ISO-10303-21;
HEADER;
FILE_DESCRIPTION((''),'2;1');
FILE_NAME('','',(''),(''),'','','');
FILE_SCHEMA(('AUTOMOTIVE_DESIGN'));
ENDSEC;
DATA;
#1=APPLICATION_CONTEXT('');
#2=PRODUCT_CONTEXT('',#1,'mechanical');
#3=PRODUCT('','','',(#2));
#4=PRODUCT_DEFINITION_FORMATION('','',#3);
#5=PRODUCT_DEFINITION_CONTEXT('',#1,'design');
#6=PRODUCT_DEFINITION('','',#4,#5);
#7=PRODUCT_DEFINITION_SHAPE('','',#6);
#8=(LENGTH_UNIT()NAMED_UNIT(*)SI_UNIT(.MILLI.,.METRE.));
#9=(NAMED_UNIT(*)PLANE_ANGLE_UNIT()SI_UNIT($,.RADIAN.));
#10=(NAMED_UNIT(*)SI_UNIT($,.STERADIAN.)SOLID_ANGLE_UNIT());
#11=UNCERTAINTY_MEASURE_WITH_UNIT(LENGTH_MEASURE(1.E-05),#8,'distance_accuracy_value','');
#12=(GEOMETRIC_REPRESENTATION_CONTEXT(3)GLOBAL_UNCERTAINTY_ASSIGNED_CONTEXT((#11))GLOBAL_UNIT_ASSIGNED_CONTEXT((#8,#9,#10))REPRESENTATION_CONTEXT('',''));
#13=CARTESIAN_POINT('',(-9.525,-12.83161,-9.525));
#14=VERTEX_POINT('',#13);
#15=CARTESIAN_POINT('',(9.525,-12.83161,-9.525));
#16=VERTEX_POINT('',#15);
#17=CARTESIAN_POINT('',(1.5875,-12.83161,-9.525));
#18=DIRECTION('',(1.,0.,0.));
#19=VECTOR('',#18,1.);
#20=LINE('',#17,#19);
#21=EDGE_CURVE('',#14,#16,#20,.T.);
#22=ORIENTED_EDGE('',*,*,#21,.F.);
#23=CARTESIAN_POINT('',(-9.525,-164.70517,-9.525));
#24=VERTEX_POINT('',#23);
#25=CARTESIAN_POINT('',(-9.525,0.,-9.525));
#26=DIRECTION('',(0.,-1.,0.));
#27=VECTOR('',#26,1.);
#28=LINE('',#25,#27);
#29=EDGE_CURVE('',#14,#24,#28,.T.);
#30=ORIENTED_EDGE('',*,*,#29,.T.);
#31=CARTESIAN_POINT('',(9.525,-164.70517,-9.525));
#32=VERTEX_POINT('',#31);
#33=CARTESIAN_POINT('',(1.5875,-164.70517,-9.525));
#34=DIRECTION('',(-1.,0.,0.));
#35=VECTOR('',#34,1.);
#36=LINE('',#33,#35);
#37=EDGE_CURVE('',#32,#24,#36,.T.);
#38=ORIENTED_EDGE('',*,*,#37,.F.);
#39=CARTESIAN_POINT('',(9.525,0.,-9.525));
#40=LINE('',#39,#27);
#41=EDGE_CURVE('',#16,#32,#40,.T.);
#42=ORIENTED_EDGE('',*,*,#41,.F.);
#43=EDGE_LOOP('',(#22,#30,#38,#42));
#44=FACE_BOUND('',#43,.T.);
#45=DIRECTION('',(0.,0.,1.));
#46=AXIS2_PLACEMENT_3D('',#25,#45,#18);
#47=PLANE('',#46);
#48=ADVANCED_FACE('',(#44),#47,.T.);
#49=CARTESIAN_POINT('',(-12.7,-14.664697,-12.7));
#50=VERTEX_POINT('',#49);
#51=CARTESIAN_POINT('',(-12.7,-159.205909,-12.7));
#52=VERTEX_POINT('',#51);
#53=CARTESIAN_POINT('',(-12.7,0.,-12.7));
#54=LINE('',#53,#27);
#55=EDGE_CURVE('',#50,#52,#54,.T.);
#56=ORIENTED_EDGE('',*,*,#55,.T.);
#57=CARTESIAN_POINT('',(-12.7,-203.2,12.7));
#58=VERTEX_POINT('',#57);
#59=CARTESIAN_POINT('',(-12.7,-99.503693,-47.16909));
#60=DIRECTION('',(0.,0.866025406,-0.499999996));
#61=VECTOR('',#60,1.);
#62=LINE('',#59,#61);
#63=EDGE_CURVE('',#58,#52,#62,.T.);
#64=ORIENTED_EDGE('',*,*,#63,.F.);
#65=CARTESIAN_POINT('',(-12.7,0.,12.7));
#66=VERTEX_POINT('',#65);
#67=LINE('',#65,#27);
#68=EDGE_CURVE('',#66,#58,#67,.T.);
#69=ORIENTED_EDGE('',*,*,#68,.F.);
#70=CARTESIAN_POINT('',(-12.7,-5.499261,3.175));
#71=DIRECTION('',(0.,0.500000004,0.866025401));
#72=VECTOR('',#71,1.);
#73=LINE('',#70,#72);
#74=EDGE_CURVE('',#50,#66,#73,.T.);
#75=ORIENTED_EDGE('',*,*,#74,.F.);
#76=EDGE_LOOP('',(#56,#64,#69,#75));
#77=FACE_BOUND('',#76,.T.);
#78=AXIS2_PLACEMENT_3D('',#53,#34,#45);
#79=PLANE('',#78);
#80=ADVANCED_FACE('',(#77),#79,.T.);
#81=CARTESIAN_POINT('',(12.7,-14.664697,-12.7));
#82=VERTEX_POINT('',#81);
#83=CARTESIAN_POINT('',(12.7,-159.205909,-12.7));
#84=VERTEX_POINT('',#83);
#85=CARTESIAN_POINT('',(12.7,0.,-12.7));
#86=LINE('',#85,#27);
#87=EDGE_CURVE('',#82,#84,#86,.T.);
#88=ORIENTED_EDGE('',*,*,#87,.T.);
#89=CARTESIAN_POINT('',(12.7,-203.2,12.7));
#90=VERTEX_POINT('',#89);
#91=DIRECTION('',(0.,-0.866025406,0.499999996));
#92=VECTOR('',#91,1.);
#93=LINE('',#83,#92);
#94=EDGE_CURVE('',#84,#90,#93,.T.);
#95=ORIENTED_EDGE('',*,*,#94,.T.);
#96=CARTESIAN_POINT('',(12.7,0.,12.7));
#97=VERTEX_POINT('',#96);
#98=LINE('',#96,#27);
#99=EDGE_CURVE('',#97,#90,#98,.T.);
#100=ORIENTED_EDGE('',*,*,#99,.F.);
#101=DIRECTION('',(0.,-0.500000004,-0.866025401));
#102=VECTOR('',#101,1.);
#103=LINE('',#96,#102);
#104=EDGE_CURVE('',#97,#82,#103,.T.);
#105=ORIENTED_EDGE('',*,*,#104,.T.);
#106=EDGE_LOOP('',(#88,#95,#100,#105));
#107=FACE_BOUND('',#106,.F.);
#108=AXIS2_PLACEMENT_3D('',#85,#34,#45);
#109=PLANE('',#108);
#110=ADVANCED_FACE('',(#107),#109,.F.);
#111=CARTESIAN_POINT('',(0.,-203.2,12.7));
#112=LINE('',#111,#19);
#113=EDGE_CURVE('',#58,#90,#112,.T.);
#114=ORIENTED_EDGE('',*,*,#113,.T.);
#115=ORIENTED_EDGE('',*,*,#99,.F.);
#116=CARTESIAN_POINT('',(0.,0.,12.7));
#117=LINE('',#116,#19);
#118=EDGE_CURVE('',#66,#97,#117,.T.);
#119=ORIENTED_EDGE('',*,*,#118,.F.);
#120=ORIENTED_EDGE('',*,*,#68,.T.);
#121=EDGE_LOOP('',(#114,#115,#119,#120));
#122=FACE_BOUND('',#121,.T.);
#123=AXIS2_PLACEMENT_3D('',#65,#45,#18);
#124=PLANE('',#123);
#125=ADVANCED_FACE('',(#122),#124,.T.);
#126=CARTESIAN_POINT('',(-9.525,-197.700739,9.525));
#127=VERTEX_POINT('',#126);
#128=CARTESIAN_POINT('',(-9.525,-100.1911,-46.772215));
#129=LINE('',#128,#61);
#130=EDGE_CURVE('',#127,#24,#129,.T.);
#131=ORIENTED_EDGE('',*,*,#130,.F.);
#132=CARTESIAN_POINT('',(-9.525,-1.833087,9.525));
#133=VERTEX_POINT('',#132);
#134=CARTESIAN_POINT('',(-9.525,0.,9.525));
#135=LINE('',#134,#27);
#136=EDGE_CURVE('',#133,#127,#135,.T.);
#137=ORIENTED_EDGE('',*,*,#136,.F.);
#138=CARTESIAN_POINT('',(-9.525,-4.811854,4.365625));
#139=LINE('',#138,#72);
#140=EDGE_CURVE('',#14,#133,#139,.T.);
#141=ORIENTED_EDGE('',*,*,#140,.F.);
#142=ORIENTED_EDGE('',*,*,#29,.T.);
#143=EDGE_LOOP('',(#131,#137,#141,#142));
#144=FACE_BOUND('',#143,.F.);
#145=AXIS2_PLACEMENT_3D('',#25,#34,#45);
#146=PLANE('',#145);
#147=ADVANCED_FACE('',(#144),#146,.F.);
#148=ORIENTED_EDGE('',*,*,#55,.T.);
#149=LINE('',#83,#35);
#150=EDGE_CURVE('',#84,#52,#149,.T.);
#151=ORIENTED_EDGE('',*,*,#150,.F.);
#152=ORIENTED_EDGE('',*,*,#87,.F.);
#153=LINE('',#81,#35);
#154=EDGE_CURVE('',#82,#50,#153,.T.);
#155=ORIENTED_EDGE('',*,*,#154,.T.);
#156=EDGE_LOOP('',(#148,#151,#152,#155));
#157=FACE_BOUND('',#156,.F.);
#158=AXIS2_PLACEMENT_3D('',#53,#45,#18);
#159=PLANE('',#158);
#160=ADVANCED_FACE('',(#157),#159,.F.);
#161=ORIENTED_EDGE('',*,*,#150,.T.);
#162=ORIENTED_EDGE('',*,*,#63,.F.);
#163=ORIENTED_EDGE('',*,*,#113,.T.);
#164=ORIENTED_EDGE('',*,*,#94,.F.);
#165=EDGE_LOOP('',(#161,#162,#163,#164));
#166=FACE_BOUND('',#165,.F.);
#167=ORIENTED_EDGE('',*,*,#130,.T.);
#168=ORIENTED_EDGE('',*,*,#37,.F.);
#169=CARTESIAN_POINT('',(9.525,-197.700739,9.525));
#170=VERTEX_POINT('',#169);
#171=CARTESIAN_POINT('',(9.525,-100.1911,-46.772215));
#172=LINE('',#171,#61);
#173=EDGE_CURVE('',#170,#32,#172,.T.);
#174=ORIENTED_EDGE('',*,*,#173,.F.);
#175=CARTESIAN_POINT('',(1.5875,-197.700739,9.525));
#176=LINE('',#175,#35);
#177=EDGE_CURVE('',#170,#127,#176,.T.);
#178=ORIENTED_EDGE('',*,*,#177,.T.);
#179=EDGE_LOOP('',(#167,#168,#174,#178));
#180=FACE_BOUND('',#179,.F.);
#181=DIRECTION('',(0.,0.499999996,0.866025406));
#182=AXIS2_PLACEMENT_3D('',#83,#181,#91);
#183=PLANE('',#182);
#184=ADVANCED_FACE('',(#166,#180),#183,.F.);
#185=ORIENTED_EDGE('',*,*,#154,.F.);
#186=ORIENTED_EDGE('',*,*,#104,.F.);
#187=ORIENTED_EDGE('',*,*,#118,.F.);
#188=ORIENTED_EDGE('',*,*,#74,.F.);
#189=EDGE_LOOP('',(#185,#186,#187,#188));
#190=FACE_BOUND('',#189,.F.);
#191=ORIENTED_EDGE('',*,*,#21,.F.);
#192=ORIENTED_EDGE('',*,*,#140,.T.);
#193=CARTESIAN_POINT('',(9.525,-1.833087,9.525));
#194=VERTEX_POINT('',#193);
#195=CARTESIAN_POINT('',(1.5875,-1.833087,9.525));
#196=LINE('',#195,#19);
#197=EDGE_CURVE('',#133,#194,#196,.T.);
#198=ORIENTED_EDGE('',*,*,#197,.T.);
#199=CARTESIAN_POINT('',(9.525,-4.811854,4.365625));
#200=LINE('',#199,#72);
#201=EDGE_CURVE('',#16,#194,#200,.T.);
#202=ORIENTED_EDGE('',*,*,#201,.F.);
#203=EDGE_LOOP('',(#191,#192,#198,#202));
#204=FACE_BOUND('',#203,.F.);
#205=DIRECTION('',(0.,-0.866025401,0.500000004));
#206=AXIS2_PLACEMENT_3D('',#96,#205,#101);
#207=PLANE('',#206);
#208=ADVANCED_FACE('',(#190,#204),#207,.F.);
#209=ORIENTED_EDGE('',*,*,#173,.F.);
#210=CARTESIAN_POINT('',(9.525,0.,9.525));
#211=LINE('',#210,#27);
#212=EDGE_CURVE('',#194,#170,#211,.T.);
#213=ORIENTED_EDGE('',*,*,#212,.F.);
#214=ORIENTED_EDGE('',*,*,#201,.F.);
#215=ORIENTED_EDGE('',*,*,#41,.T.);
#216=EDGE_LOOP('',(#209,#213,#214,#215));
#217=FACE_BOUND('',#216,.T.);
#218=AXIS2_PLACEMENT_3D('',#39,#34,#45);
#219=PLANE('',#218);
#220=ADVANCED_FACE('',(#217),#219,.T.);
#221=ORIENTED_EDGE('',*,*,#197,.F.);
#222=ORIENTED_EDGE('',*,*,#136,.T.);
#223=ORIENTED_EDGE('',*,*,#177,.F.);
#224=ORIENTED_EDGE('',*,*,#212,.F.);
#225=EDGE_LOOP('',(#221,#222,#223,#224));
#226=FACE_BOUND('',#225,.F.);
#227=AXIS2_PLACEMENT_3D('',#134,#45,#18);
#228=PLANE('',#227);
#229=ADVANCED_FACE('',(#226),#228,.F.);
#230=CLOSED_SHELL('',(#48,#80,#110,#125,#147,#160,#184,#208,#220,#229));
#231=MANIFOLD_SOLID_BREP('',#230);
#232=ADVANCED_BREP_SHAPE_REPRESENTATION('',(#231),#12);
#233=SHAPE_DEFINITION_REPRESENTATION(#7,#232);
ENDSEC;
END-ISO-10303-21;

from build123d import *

# Parameters (mm, degrees)
F0_W     = 25.4
F0_H     = 25.4
F0_W_2   = 19.05
F0_H_2   = 19.05
F1_DEPTH = 203.2
F3_DEPTH = 25.401


with BuildPart() as f1:
    # F0 (on Front) → F1 (new body)
    with BuildSketch(Plane.XZ):
        Rectangle(F0_W, F0_H)
        Rectangle(F0_W_2, F0_H_2, mode=Mode.SUBTRACT)
    extrude(amount=F1_DEPTH)

    # F2 (on face) → F3 (cut, through all)
    with BuildSketch(Plane.YZ.offset(12.7)):
        Polygon((-159.205909, -12.7), (-203.2, 12.7), (-203.2, -12.7), align=None)
        Polygon((0, -12.7), (0, 12.7), (-14.664697, -12.7), align=None)
    extrude(amount=-F3_DEPTH, mode=Mode.SUBTRACT)


solid = f1.part
